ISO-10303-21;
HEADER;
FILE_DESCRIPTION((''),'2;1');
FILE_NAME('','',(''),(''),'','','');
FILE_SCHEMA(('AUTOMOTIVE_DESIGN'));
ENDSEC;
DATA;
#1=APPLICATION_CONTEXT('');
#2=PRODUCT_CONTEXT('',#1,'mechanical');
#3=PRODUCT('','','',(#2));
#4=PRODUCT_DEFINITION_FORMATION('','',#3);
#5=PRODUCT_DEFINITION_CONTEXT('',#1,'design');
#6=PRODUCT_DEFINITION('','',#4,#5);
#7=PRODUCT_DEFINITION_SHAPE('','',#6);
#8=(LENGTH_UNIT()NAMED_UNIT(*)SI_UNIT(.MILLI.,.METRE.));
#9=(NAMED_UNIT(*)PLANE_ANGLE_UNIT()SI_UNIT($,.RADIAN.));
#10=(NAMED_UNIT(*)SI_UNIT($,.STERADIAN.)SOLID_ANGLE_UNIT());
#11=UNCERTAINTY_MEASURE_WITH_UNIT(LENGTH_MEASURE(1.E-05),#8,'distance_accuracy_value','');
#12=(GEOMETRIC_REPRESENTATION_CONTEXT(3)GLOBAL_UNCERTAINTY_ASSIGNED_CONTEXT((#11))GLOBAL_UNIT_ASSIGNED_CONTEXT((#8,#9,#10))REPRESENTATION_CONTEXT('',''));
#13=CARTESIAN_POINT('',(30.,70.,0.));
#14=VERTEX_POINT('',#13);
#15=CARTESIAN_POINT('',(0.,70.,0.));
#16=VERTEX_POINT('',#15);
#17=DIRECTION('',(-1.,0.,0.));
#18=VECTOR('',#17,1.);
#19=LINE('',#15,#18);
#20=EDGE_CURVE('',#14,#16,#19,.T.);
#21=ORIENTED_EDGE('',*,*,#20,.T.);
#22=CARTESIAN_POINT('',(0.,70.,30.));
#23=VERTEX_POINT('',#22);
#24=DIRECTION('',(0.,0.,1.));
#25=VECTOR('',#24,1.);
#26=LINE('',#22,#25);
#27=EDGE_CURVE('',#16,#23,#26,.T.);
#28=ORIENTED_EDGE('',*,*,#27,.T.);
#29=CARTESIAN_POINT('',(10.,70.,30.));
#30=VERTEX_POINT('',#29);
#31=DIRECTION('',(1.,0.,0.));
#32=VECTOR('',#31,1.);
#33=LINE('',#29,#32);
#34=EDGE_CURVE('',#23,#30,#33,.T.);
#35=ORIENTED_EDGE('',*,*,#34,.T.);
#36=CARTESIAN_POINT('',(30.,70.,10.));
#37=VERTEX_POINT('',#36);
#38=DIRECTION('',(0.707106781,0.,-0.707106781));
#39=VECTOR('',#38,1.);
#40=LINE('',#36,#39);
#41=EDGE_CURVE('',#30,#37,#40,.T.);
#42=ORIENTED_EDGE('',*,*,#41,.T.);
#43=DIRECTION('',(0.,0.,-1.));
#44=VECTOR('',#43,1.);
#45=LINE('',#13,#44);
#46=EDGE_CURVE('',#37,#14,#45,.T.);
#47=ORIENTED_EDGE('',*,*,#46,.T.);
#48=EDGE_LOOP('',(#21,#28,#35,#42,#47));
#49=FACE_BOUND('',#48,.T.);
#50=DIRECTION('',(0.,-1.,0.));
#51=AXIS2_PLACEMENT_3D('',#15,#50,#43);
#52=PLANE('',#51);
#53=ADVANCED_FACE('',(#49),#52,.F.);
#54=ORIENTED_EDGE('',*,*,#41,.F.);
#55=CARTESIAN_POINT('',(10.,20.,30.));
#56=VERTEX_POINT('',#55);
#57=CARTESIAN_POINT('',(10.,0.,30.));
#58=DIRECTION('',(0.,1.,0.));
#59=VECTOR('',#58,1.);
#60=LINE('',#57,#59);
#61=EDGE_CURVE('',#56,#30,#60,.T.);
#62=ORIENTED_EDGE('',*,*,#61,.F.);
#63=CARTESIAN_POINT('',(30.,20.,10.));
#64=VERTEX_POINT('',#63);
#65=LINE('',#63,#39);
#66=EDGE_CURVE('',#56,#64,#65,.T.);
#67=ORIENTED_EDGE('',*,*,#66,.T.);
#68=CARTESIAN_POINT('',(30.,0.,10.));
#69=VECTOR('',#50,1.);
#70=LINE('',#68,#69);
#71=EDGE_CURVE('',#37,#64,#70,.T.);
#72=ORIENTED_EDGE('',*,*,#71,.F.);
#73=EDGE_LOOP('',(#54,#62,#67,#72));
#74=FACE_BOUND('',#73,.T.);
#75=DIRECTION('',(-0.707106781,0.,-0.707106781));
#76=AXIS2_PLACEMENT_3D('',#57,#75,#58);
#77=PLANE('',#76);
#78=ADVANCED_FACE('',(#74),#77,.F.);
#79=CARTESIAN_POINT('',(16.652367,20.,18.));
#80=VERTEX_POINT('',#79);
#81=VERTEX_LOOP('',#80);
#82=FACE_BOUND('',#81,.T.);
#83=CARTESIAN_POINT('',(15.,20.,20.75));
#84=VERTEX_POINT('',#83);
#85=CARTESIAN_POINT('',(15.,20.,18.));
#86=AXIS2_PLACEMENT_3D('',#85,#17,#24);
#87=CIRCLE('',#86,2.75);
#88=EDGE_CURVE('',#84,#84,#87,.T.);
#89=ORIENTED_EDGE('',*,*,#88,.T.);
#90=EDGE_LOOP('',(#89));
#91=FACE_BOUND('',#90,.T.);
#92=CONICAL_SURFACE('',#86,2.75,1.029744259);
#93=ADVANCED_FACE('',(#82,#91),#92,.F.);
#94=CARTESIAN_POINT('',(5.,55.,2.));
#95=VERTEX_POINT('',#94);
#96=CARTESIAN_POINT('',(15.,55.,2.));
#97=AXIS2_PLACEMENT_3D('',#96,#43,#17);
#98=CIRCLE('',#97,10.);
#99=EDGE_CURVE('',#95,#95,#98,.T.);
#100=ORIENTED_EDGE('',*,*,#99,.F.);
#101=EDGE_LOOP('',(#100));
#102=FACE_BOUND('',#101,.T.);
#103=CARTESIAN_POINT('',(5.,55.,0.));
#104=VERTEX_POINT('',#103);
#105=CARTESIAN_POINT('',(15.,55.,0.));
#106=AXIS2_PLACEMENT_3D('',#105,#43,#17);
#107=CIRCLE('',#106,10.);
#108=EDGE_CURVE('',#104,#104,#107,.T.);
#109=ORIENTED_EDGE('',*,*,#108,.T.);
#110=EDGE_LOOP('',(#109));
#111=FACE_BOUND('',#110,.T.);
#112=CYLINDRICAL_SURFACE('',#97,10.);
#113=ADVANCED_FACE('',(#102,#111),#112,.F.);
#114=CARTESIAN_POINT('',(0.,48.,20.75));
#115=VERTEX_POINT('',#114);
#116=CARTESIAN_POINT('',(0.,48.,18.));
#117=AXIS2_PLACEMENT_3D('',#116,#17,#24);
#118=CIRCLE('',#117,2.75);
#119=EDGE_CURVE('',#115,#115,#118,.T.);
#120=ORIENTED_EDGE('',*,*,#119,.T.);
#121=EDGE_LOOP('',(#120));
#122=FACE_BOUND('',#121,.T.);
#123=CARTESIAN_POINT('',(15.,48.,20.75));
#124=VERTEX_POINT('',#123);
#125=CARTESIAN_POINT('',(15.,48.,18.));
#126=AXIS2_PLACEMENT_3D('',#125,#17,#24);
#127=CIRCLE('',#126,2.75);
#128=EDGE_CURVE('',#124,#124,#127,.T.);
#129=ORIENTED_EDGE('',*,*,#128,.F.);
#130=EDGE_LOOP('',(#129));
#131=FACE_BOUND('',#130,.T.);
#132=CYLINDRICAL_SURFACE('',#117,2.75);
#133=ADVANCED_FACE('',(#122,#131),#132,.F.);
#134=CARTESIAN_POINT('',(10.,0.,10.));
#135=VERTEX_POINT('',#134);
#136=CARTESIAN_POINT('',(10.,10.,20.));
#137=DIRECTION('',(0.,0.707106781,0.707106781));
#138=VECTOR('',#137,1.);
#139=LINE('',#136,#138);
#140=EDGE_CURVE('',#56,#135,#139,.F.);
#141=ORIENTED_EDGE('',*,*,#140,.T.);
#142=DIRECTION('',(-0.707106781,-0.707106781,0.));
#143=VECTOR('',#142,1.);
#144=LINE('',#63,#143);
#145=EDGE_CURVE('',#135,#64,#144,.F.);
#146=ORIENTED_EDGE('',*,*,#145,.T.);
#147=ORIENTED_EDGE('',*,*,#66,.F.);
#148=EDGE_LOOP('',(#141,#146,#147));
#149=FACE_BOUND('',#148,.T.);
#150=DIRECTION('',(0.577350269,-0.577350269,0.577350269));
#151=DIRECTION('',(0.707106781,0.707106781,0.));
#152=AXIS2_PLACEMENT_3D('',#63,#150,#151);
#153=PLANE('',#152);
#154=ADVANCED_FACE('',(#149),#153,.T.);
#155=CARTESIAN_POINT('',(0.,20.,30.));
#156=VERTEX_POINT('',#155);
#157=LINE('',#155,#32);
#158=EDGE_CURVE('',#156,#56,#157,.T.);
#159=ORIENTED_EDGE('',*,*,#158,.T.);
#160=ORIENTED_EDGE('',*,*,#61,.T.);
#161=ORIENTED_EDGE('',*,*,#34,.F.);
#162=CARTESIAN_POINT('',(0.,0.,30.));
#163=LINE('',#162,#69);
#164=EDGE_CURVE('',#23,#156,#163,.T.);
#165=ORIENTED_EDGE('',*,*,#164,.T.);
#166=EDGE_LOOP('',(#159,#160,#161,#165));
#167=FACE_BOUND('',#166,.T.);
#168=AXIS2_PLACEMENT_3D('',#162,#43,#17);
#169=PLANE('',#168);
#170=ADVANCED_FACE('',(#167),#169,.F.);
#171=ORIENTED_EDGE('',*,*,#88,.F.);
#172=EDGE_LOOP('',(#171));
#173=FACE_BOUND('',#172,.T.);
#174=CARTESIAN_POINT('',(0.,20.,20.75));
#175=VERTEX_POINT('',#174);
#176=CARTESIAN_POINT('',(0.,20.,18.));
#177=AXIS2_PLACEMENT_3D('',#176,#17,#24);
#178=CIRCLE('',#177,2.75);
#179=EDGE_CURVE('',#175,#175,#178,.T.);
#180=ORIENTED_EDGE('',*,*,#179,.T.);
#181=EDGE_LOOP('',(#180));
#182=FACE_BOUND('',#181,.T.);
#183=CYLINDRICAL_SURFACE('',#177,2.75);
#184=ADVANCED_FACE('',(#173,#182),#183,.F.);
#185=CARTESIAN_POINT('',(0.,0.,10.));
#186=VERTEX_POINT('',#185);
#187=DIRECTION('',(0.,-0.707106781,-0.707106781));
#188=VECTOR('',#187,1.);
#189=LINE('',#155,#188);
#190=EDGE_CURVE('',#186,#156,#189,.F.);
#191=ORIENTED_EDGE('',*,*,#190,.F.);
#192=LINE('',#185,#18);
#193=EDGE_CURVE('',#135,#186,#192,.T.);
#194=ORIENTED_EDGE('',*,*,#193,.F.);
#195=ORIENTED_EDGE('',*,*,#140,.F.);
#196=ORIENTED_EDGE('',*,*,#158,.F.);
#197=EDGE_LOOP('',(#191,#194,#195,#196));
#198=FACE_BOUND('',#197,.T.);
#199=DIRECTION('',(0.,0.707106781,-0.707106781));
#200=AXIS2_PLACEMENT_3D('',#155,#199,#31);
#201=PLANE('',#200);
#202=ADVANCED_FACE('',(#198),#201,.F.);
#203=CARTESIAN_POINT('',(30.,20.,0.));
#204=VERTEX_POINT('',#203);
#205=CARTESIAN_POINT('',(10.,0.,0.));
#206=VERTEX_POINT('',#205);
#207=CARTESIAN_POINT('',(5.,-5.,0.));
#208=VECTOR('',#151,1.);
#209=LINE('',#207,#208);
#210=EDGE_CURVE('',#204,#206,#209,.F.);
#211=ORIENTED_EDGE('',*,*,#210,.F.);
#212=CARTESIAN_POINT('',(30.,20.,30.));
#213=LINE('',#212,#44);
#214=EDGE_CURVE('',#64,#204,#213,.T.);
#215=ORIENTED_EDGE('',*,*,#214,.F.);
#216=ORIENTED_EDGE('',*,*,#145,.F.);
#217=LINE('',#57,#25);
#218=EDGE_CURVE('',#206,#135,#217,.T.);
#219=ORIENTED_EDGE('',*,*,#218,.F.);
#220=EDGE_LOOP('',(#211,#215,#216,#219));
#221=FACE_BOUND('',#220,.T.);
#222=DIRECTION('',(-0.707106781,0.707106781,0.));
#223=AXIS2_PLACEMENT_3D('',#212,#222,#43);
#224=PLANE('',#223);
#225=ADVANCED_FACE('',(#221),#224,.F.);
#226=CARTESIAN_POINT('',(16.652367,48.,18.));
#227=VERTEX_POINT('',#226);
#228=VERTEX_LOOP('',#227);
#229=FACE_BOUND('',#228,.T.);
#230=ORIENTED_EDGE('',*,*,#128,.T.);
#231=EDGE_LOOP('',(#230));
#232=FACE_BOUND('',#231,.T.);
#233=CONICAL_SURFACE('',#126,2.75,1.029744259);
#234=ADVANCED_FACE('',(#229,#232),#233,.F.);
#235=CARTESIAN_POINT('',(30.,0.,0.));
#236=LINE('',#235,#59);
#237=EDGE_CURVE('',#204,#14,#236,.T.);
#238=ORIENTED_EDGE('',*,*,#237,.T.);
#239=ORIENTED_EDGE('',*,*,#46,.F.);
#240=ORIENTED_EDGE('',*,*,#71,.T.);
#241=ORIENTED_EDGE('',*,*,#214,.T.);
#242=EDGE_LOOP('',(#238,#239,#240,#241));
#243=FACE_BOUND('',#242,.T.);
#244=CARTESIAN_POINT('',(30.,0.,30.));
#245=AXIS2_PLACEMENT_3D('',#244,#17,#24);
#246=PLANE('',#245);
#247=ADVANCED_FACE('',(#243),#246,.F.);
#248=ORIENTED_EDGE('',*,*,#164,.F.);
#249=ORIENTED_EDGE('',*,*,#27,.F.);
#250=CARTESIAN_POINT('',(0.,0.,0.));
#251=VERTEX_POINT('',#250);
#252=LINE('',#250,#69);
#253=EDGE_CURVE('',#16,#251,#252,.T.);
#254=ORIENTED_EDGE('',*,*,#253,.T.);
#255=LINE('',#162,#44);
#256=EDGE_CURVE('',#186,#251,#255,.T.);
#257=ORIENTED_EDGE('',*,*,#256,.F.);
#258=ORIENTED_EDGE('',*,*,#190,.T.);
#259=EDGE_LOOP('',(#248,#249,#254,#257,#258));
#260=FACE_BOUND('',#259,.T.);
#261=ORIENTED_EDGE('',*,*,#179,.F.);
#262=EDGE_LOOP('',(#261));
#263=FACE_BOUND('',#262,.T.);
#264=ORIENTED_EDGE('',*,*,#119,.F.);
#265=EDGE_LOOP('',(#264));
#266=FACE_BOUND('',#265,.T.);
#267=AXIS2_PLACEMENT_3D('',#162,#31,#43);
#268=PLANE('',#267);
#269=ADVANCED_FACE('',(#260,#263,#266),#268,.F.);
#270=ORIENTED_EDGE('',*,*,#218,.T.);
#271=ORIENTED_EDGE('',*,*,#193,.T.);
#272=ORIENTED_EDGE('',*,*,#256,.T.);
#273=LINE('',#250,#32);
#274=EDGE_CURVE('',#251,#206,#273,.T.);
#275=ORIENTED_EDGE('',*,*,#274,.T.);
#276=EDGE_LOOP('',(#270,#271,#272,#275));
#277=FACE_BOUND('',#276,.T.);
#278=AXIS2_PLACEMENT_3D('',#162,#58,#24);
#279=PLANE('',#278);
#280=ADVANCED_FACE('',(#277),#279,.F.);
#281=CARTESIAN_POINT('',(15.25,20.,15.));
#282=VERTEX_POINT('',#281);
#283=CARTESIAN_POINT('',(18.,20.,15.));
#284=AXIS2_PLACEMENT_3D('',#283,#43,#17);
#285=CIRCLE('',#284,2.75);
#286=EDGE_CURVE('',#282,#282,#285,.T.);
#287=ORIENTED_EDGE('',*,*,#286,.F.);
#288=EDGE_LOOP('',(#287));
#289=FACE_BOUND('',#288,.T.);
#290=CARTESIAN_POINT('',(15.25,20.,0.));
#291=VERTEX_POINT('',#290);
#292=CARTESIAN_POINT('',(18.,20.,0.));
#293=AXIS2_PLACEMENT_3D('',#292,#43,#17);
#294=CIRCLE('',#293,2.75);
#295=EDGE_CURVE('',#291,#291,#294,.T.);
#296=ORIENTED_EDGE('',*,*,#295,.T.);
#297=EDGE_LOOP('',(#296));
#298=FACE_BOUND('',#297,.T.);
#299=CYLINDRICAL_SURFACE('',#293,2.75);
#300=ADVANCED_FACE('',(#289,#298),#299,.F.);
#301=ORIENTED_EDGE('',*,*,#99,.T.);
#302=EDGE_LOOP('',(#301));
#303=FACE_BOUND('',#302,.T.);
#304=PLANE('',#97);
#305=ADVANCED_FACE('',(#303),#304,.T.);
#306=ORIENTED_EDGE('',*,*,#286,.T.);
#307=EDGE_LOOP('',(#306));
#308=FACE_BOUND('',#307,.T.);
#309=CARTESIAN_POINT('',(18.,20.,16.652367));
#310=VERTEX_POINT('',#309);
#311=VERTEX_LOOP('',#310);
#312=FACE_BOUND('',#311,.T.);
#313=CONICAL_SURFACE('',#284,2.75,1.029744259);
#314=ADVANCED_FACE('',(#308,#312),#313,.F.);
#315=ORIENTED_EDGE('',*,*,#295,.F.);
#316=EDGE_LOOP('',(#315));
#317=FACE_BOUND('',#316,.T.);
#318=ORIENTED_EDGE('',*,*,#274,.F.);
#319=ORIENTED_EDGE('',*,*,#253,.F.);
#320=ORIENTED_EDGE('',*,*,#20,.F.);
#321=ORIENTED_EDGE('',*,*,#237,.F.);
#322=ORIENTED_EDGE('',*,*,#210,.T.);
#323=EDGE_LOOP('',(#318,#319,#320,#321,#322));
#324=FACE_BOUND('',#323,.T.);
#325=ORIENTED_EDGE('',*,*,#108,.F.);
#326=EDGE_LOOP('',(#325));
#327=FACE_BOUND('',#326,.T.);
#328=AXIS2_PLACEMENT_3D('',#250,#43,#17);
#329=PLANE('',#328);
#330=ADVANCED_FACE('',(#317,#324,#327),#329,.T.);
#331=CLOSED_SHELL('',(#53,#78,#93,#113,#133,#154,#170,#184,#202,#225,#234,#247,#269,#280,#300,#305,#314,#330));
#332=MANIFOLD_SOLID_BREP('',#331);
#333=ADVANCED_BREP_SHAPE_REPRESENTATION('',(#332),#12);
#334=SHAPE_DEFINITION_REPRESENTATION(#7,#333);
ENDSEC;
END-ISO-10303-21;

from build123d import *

# Parameters (mm, degrees)
SCHIZZO1_W                   = 30
SCHIZZO1_H                   = 40
ESTRUSIONE_ESTRUSIONE1_DEPTH = 30
SMUSSO1_SIZE                 = 20
ESTRUSIONE_ESTRUSIONE2_DEPTH = 30
FORO_PER_VITE_M5_1_D         = 5.5
FORO_PER_VITE_M5_1_DEPTH     = 15
FORO_PER_VITE_M5_1_TIP       = 1.652366702
FORO_PER_VITE_M5_2_D         = 5.5
FORO_PER_VITE_M5_2_DEPTH     = 15
FORO_PER_VITE_M5_2_TIP       = 1.652366702
SCHIZZO6_R                   = 10
TAGLIO_ESTRUSIONE1_DEPTH     = 2


with BuildPart() as part:
    # Schizzo1 → Estrusione-Estrusione1 (new body)
    with BuildSketch(Plane.XY):
        with Locations((15, 20)):
            Rectangle(SCHIZZO1_W, SCHIZZO1_H)
    extrude(amount=ESTRUSIONE_ESTRUSIONE1_DEPTH)

    # Smusso1
    smusso1_edges = [part.edges().sort_by_distance(p)[0] for p in [
        (30, 20, 30),
        (30, 0, 15),
        (15, 0, 30),
    ]]
    chamfer(smusso1_edges, length=SMUSSO1_SIZE)

    # Schizzo2 → Estrusione-Estrusione2 (add)
    with BuildSketch(Plane(origin=(0, 40, 0), x_dir=(1, 0, 0), z_dir=(0, 1, 0))):
        Polygon((0, 0), (30, 0), (30, -10), (10, -30), (0, -30), align=None)
    extrude(amount=ESTRUSIONE_ESTRUSIONE2_DEPTH)

    # Foro per Vite M5-1
    with Locations(Plane.ZY):
        with Locations((18, 20), (18, 48)):
            Hole(FORO_PER_VITE_M5_1_D / 2, depth=FORO_PER_VITE_M5_1_DEPTH)
            with Locations((0, 0, -(FORO_PER_VITE_M5_1_DEPTH + FORO_PER_VITE_M5_1_TIP / 2))):  # 118° drill point
                Cone(0, FORO_PER_VITE_M5_1_D / 2, FORO_PER_VITE_M5_1_TIP, mode=Mode.SUBTRACT)

    # Foro per Vite M5-2
    with Locations(Plane(origin=(18, 20, 0), x_dir=(-1, 0, 0), z_dir=(0, 0, -1))):
        with Locations((0, 0)):
            Hole(FORO_PER_VITE_M5_2_D / 2, depth=FORO_PER_VITE_M5_2_DEPTH)
            with Locations((0, 0, -(FORO_PER_VITE_M5_2_DEPTH + FORO_PER_VITE_M5_2_TIP / 2))):  # 118° drill point
                Cone(0, FORO_PER_VITE_M5_2_D / 2, FORO_PER_VITE_M5_2_TIP, mode=Mode.SUBTRACT)

    # Schizzo6 → Taglio-Estrusione1 (cut)
    with BuildSketch(Plane(origin=(0, 0, 0), x_dir=(-1, 0, 0), z_dir=(0, 0, -1))):
        with Locations((-15, 55)):
            Circle(SCHIZZO6_R)
    extrude(amount=-TAGLIO_ESTRUSIONE1_DEPTH, mode=Mode.SUBTRACT)


solid = part.part
